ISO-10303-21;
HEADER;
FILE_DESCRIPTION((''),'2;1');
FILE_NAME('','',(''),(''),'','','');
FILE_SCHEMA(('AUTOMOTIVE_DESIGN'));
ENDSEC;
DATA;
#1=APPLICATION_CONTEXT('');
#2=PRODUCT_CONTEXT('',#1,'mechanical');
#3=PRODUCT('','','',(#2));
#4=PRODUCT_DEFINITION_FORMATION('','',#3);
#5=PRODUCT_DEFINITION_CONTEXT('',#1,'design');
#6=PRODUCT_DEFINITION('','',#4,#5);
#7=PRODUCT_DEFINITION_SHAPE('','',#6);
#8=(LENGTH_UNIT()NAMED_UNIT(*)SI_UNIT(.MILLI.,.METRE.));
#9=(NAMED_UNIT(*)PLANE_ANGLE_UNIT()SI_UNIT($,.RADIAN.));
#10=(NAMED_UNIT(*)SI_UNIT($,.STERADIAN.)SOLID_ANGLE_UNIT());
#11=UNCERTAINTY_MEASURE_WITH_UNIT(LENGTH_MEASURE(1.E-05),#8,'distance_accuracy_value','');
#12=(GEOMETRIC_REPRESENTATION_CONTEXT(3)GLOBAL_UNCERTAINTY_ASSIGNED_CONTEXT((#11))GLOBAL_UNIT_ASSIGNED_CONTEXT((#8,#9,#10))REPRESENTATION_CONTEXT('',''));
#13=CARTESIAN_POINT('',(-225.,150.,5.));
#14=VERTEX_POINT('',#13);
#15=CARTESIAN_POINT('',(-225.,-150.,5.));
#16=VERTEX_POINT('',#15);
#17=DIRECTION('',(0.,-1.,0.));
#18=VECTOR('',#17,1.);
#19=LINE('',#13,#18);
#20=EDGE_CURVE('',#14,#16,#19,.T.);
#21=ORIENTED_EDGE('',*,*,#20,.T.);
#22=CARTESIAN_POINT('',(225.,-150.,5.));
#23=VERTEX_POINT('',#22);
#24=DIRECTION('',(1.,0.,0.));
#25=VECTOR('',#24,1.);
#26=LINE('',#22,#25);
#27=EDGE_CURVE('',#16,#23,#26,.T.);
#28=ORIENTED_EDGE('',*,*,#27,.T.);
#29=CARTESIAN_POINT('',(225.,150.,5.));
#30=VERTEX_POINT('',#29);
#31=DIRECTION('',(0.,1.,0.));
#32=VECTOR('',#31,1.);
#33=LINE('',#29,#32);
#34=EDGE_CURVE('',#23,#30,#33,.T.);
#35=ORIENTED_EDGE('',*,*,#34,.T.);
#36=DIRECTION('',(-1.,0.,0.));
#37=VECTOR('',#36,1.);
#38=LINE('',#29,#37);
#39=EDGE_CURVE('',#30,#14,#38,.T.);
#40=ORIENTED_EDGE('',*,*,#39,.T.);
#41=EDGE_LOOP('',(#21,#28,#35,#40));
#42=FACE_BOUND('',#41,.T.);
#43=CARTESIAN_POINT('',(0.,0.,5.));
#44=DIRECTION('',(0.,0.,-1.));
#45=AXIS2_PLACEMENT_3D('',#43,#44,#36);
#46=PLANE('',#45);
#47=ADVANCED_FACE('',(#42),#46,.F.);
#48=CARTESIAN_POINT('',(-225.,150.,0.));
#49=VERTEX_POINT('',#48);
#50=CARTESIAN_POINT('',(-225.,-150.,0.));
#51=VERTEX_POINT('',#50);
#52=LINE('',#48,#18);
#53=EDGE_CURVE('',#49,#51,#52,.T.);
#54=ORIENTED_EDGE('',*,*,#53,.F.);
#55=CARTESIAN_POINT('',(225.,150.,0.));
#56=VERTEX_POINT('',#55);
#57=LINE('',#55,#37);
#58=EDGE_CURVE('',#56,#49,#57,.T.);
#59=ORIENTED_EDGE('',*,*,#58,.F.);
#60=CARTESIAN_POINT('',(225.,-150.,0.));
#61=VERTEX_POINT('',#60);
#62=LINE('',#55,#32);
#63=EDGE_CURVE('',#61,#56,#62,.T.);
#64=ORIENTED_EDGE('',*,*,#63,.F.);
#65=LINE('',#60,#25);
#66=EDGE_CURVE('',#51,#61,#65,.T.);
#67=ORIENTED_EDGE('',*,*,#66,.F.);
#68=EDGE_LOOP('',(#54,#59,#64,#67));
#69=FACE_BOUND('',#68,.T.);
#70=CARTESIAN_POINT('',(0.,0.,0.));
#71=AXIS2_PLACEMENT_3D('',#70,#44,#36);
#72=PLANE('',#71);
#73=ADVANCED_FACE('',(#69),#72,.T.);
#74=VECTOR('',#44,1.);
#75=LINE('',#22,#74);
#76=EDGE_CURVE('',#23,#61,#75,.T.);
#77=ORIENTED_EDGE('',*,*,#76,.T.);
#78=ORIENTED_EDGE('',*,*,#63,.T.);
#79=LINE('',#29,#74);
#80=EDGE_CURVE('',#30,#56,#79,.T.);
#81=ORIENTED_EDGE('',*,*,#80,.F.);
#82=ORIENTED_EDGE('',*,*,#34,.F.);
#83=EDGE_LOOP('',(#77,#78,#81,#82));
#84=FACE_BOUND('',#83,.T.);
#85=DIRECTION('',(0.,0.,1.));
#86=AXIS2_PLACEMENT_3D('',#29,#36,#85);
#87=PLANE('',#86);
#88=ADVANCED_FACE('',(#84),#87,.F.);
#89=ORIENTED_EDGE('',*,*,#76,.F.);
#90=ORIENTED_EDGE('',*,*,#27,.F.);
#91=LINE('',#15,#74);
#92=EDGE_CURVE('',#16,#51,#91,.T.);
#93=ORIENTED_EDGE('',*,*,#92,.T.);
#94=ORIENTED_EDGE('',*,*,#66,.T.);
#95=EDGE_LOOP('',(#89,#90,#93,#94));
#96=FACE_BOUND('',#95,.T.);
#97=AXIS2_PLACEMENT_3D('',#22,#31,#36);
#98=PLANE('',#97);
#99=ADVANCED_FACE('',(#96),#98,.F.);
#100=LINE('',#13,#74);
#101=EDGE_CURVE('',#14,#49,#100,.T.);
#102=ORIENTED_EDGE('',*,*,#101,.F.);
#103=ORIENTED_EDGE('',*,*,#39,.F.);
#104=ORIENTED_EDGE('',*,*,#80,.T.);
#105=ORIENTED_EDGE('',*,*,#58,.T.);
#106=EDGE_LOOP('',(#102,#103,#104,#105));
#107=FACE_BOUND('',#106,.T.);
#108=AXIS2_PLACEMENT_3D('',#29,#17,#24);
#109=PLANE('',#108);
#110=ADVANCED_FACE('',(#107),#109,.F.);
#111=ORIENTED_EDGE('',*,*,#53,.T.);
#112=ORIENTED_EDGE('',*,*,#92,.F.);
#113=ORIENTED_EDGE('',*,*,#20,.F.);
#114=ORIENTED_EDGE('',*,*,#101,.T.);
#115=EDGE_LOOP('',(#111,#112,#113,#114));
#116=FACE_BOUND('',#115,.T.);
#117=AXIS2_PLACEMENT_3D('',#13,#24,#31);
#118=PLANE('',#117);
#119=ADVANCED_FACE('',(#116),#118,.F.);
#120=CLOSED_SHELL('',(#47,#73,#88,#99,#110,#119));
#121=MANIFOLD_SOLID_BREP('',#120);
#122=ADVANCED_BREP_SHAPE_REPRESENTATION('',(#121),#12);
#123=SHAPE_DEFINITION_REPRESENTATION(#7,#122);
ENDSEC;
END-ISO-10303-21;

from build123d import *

# Parameters (mm, degrees)
ESBO_O1_W                = 450
ESBO_O1_H                = 300
RESSALTO_EXTRUS_O1_DEPTH = 5


with BuildPart() as part:
    # Esboço1 → Ressalto-extrusão1 (new body)
    with BuildSketch(Plane.XY):
        Rectangle(ESBO_O1_W, ESBO_O1_H)
    extrude(amount=RESSALTO_EXTRUS_O1_DEPTH)


solid = part.part
